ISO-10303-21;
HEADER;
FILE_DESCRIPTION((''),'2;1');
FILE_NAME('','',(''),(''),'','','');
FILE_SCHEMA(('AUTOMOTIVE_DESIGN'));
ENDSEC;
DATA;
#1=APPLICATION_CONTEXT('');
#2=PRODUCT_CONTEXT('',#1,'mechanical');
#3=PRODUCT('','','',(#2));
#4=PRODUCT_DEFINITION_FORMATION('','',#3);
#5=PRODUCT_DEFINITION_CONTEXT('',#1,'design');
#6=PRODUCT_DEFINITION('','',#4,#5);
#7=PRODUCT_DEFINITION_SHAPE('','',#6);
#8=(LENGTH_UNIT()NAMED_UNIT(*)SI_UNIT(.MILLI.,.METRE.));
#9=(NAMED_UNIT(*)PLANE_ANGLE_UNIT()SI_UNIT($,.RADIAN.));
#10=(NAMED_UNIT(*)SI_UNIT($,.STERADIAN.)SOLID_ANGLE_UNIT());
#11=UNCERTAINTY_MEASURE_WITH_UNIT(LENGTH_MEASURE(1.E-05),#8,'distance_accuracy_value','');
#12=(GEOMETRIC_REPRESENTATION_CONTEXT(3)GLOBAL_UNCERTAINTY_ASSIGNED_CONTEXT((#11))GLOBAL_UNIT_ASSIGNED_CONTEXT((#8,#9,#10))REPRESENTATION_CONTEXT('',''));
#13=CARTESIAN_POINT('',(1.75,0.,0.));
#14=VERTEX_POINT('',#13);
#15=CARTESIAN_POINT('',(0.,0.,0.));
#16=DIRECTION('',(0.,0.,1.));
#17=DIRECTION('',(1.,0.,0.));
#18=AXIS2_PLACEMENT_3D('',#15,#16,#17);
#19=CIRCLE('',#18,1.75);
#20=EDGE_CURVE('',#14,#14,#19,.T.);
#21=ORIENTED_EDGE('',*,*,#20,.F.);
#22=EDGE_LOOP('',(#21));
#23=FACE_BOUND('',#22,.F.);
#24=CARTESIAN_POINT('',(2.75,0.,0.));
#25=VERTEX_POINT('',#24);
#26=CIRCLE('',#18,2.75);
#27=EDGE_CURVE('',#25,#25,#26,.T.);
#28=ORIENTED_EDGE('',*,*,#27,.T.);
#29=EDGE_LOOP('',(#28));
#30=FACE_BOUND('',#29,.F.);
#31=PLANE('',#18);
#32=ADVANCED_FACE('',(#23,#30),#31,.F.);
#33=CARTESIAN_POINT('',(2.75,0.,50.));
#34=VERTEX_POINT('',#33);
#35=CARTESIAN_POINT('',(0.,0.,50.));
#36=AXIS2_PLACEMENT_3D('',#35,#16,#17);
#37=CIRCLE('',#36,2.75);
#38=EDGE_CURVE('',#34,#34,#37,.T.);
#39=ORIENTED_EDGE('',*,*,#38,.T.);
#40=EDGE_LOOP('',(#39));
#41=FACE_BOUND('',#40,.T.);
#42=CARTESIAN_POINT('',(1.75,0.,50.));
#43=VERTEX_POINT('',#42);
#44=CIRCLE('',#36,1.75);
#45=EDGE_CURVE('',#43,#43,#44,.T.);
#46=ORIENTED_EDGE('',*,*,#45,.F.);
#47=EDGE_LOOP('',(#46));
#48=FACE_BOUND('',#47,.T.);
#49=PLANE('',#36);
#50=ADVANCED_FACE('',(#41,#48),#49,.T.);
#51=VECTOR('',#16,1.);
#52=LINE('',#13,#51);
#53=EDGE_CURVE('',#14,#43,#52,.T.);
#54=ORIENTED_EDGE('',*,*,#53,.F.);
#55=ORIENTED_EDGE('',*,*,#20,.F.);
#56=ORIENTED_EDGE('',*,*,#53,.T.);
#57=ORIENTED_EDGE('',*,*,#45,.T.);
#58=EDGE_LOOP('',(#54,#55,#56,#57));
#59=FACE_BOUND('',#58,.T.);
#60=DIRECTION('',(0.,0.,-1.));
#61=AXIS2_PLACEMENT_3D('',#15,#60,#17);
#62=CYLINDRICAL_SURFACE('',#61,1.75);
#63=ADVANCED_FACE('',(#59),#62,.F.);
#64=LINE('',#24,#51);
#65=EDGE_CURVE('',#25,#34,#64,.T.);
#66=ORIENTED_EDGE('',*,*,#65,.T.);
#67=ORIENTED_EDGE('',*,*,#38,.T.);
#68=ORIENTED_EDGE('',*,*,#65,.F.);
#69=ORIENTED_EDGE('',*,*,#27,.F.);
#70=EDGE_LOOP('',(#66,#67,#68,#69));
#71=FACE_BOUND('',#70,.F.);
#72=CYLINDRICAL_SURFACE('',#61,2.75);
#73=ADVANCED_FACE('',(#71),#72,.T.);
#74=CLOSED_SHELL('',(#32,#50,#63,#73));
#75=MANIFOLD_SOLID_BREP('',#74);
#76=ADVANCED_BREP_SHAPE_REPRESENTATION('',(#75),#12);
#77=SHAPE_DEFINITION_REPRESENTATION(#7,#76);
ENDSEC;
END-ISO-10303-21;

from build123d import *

# Parameters (mm, degrees)
F0_R     = 2.75
F2_DEPTH = 50
F1_R     = 1.75
F3_DEPTH = 50


with BuildPart() as f2:
    # F0 (on Top) → F2 (new body)
    with BuildSketch(Plane.XY):
        Circle(F0_R)
    extrude(amount=F2_DEPTH)

    # F1 (on face) → F3 (cut)
    with BuildSketch(Plane.XY):
        Circle(F1_R)
    extrude(amount=F3_DEPTH, mode=Mode.SUBTRACT)


solid = f2.part
